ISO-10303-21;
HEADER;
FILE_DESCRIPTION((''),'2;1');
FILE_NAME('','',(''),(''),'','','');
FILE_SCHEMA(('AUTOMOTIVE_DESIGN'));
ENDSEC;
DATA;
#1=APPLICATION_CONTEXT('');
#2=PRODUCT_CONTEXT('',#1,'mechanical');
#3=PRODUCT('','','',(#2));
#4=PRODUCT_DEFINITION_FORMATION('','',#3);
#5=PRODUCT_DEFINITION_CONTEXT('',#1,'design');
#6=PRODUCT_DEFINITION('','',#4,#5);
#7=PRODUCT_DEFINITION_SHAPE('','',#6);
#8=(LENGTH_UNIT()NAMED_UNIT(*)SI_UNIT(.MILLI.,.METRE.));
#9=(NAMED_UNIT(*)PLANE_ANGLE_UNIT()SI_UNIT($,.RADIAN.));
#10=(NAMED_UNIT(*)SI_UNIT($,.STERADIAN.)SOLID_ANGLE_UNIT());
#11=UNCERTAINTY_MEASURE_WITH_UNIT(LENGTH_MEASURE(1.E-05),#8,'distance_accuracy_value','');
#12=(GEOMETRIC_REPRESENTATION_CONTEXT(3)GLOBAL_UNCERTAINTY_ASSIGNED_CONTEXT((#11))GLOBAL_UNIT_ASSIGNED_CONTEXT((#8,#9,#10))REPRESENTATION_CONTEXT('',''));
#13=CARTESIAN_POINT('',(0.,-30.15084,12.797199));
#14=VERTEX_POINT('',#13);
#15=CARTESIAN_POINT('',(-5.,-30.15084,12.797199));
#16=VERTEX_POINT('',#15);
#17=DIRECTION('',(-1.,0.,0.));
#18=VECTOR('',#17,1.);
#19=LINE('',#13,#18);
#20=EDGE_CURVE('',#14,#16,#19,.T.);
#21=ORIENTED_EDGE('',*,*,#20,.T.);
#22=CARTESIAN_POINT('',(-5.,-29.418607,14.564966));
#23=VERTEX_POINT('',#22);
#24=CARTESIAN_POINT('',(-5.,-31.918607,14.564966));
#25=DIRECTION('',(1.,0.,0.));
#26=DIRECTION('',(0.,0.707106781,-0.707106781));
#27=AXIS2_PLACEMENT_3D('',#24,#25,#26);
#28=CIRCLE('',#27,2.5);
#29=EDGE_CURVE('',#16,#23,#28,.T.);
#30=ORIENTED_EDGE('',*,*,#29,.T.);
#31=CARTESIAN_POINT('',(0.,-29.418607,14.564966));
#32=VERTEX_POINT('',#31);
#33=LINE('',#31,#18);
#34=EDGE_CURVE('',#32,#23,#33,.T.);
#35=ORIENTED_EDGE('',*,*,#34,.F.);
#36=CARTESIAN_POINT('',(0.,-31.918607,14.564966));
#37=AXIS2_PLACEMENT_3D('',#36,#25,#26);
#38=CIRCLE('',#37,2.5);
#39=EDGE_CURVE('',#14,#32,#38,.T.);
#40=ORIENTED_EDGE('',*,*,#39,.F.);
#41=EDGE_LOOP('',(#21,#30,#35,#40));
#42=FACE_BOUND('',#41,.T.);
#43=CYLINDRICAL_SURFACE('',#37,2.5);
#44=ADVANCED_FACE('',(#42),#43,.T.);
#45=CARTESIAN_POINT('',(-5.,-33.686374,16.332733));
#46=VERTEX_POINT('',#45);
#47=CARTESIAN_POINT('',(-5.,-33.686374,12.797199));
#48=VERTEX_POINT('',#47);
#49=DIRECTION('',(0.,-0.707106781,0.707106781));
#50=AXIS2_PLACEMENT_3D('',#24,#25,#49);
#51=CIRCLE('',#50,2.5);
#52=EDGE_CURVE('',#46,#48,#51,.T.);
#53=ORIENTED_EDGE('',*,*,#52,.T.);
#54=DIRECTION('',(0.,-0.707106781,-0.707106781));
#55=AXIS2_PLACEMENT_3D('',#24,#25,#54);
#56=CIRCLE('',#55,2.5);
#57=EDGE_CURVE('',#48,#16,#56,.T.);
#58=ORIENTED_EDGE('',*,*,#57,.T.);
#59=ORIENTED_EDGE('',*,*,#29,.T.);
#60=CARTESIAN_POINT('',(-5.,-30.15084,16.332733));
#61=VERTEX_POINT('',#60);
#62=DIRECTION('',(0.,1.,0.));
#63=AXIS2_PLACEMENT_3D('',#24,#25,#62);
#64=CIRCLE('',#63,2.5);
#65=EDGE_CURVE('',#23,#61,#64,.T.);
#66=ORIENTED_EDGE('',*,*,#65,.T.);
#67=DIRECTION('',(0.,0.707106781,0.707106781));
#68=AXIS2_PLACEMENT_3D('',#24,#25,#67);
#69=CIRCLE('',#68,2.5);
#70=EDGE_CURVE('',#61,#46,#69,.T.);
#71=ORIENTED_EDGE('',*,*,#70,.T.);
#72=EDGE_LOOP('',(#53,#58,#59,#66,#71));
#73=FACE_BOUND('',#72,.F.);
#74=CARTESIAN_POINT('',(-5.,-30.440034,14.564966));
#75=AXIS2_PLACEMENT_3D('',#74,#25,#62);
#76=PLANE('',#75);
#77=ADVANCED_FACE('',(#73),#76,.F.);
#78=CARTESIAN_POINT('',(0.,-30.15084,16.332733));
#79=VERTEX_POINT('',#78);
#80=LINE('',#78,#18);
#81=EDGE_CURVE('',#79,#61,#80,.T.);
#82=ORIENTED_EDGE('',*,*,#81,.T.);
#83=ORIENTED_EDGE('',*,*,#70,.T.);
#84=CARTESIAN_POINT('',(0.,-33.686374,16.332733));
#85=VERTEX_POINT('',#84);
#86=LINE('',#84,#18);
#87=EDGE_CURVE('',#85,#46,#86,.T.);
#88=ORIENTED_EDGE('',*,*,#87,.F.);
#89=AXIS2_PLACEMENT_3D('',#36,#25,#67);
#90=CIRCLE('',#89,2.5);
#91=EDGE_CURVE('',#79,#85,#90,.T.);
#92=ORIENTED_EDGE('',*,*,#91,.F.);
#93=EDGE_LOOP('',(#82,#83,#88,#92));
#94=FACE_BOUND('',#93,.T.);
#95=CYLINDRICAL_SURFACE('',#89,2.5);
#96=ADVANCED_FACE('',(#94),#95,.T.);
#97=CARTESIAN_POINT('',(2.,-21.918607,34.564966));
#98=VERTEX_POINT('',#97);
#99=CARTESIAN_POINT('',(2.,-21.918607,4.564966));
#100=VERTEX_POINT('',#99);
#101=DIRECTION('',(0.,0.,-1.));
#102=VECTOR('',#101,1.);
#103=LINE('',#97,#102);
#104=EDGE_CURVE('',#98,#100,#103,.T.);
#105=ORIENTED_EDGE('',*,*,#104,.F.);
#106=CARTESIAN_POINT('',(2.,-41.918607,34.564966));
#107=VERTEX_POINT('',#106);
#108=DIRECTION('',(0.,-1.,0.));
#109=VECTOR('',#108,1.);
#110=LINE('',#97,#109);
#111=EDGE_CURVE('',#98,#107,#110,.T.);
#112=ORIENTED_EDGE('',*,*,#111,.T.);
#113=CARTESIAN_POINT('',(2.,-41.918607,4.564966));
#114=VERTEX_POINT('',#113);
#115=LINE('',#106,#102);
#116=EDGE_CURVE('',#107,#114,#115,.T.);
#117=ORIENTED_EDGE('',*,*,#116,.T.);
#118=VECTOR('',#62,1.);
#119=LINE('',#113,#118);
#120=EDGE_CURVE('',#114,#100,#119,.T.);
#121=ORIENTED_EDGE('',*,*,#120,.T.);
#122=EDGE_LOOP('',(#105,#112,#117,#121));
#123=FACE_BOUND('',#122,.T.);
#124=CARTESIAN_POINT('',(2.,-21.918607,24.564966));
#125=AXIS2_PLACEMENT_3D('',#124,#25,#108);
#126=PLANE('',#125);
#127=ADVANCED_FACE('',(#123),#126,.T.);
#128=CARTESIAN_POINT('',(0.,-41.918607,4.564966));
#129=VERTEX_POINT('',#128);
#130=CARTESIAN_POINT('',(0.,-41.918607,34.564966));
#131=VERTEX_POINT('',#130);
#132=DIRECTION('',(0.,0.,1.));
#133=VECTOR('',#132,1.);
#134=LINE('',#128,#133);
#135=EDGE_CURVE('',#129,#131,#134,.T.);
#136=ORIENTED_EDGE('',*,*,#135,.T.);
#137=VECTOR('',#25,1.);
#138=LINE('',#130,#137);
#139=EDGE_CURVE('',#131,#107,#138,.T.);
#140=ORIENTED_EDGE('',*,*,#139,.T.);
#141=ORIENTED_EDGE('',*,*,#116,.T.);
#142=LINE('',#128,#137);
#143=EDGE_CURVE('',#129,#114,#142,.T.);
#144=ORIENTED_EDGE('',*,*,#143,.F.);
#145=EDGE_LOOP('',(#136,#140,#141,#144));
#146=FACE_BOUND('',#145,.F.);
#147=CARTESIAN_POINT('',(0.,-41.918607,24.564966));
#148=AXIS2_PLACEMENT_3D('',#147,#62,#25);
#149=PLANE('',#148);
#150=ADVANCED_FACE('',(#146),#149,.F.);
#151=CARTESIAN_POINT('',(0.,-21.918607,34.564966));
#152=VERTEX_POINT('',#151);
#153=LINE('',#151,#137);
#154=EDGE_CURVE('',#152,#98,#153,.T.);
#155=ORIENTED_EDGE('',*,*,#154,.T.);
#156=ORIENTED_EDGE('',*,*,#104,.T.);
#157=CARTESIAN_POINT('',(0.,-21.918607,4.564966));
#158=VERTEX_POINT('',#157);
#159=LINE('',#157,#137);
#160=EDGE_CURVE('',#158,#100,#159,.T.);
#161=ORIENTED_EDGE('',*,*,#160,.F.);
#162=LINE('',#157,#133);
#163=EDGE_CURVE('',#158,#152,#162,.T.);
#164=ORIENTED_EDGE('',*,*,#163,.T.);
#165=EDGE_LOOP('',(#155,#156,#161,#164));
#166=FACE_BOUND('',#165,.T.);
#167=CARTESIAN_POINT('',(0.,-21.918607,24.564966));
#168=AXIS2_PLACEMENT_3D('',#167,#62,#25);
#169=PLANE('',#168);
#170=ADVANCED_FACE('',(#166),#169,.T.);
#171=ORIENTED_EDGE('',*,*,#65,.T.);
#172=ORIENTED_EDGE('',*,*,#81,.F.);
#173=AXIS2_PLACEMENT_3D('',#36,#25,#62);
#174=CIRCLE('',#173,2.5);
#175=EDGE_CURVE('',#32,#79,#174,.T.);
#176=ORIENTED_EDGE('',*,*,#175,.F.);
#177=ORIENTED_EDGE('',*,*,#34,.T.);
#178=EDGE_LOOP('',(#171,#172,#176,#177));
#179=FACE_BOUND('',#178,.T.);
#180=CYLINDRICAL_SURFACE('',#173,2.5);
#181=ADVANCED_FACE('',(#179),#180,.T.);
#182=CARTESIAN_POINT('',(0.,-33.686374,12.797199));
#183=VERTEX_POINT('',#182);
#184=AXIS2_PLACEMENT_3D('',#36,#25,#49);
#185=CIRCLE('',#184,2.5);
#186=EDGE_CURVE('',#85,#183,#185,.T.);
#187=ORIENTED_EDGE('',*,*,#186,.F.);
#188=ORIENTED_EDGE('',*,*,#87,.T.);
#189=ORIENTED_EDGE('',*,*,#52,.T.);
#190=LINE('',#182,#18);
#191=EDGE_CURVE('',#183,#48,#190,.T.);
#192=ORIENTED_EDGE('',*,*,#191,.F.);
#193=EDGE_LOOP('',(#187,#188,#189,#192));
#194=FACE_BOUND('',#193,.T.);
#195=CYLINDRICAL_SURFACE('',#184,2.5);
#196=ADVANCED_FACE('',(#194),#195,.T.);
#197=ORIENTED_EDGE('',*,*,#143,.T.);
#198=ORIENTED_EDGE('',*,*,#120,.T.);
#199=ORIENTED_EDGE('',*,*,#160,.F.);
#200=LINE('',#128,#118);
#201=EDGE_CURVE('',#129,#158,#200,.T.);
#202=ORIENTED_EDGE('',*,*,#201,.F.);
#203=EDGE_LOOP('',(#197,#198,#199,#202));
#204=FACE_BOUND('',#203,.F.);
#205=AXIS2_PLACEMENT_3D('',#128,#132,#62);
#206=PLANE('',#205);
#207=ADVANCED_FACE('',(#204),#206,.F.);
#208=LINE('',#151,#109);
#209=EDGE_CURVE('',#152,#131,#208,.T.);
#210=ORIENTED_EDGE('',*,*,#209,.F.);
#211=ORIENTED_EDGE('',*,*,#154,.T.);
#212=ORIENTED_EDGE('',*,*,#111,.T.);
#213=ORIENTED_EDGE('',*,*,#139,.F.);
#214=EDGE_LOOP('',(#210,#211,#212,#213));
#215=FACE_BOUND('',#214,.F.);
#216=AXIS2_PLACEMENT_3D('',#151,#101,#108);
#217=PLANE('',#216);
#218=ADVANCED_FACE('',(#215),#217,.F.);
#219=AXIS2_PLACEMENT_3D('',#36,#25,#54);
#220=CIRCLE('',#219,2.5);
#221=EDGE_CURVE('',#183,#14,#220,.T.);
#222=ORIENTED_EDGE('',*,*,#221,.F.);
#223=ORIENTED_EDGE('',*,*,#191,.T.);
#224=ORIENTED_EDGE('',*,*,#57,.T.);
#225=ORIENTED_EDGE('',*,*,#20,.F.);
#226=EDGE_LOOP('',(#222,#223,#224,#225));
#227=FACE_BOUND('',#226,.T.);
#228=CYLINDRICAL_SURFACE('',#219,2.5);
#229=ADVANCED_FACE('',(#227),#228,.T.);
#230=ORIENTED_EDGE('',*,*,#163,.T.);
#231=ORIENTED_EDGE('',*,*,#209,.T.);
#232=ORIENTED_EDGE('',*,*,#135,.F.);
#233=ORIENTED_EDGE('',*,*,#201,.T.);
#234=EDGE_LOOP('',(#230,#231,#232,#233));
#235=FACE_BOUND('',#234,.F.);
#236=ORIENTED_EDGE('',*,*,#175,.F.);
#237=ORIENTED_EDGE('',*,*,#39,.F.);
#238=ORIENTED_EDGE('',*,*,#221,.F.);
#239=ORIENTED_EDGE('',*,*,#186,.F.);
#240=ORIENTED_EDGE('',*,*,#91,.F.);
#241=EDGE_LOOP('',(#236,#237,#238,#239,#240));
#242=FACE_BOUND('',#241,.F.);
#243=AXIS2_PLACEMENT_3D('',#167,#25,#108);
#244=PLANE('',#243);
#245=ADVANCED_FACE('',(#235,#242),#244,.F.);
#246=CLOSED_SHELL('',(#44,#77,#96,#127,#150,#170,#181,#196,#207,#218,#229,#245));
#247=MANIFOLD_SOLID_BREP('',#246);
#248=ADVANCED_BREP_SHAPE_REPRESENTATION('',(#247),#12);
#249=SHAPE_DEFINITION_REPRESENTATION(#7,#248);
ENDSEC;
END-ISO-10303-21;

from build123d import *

# Parameters (mm, degrees)
F1_DEPTH = 2
F2_DEPTH = 5
F3_DEPTH = 10


with BuildPart() as f1:
    # F0 (on Right) → F1 (new body)
    with BuildSketch(Plane.YZ):
        with BuildLine():
            Line((-33.6863736738, 16.3327330157), (-41.9186067209, 24.5649660628))
            Line((-41.9186067209, 24.5649660628), (-41.9186067209, 4.5649660628))
            Line((-41.9186067209, 4.5649660628), (-33.6863736738, 12.7971991098))
            ThreePointArc((-33.6863736738, 12.7971991098), (-34.4186067209, 14.5649660628), (-33.6863736738, 16.3327330157))
        make_face()
        with BuildLine():
            Line((-21.9186067209, 24.5649660628), (-41.9186067209, 24.5649660628))
            Line((-41.9186067209, 24.5649660628), (-33.6863736738, 16.3327330157))
            ThreePointArc((-33.6863736738, 16.3327330157), (-31.9186067209, 17.0649660628), (-30.1508397679, 16.3327330157))
            Line((-30.1508397679, 16.3327330157), (-21.9186067209, 24.5649660628))
        make_face()
        with BuildLine():
            Line((-21.9186067209, 4.5649660628), (-21.9186067209, 24.5649660628))
            Line((-21.9186067209, 24.5649660628), (-30.1508397679, 16.3327330157))
            ThreePointArc((-30.1508397679, 16.3327330157), (-29.6089078896, 15.5216746437), (-29.4186067209, 14.5649660628))
            ThreePointArc((-29.4186067209, 14.5649660628), (-29.6089078896, 13.6082574819), (-30.1508397679, 12.7971991098))
            Line((-30.1508397679, 12.7971991098), (-21.9186067209, 4.5649660628))
        make_face()
        with BuildLine():
            Line((-33.6863736738, 12.7971991098), (-41.9186067209, 4.5649660628))
            Line((-41.9186067209, 4.5649660628), (-21.9186067209, 4.5649660628))
            Line((-21.9186067209, 4.5649660628), (-30.1508397679, 12.7971991098))
            ThreePointArc((-30.1508397679, 12.7971991098), (-31.9186067209, 12.0649660628), (-33.6863736738, 12.7971991098))
        make_face()
        with BuildLine():
            Line((-31.9186067209, 14.5649660628), (-33.6863736738, 16.3327330157))
            ThreePointArc((-33.6863736738, 16.3327330157), (-34.4186067209, 14.5649660628), (-33.6863736738, 12.7971991098))
            Line((-33.6863736738, 12.7971991098), (-31.9186067209, 14.5649660628))
        make_face()
        with BuildLine():
            ThreePointArc((-30.1508397679, 16.3327330157), (-31.9186067209, 17.0649660628), (-33.6863736738, 16.3327330157))
            Line((-33.6863736738, 16.3327330157), (-31.9186067209, 14.5649660628))
            Line((-31.9186067209, 14.5649660628), (-30.1508397679, 16.3327330157))
        make_face()
        with BuildLine():
            ThreePointArc((-29.4186067209, 14.5649660628), (-29.6089078896, 15.5216746437), (-30.1508397679, 16.3327330157))
            Line((-30.1508397679, 16.3327330157), (-31.9186067209, 14.5649660628))
            Line((-31.9186067209, 14.5649660628), (-30.1508397679, 12.7971991098))
            ThreePointArc((-30.1508397679, 12.7971991098), (-29.6089078896, 13.6082574819), (-29.4186067209, 14.5649660628))
        make_face()
        with BuildLine():
            Line((-31.9186067209, 14.5649660628), (-33.6863736738, 12.7971991098))
            ThreePointArc((-33.6863736738, 12.7971991098), (-31.9186067209, 12.0649660628), (-30.1508397679, 12.7971991098))
            Line((-30.1508397679, 12.7971991098), (-31.9186067209, 14.5649660628))
        make_face()
    extrude(amount=F1_DEPTH)

    # F0 (on Right) → F2 (join)
    with BuildSketch(Plane.YZ):
        with BuildLine():
            ThreePointArc((-29.4186067209, 14.5649660628), (-29.6089078896, 15.5216746437), (-30.1508397679, 16.3327330157))
            Line((-30.1508397679, 16.3327330157), (-31.9186067209, 14.5649660628))
            Line((-31.9186067209, 14.5649660628), (-30.1508397679, 12.7971991098))
            ThreePointArc((-30.1508397679, 12.7971991098), (-29.6089078896, 13.6082574819), (-29.4186067209, 14.5649660628))
        make_face()
        with BuildLine():
            ThreePointArc((-30.1508397679, 16.3327330157), (-31.9186067209, 17.0649660628), (-33.6863736738, 16.3327330157))
            Line((-33.6863736738, 16.3327330157), (-31.9186067209, 14.5649660628))
            Line((-31.9186067209, 14.5649660628), (-30.1508397679, 16.3327330157))
        make_face()
        with BuildLine():
            Line((-31.9186067209, 14.5649660628), (-33.6863736738, 16.3327330157))
            ThreePointArc((-33.6863736738, 16.3327330157), (-34.4186067209, 14.5649660628), (-33.6863736738, 12.7971991098))
            Line((-33.6863736738, 12.7971991098), (-31.9186067209, 14.5649660628))
        make_face()
        with BuildLine():
            Line((-31.9186067209, 14.5649660628), (-33.6863736738, 12.7971991098))
            ThreePointArc((-33.6863736738, 12.7971991098), (-31.9186067209, 12.0649660628), (-30.1508397679, 12.7971991098))
            Line((-30.1508397679, 12.7971991098), (-31.9186067209, 14.5649660628))
        make_face()
    extrude(amount=-F2_DEPTH)

    # F3 (add): a face of the model
    f3_faces = [f1.faces().sort_by_distance(p)[0] for p in [
        (1, -31.9186067209, 24.5649660628),
    ]]
    extrude(f3_faces, amount=F3_DEPTH)


solid = f1.part
